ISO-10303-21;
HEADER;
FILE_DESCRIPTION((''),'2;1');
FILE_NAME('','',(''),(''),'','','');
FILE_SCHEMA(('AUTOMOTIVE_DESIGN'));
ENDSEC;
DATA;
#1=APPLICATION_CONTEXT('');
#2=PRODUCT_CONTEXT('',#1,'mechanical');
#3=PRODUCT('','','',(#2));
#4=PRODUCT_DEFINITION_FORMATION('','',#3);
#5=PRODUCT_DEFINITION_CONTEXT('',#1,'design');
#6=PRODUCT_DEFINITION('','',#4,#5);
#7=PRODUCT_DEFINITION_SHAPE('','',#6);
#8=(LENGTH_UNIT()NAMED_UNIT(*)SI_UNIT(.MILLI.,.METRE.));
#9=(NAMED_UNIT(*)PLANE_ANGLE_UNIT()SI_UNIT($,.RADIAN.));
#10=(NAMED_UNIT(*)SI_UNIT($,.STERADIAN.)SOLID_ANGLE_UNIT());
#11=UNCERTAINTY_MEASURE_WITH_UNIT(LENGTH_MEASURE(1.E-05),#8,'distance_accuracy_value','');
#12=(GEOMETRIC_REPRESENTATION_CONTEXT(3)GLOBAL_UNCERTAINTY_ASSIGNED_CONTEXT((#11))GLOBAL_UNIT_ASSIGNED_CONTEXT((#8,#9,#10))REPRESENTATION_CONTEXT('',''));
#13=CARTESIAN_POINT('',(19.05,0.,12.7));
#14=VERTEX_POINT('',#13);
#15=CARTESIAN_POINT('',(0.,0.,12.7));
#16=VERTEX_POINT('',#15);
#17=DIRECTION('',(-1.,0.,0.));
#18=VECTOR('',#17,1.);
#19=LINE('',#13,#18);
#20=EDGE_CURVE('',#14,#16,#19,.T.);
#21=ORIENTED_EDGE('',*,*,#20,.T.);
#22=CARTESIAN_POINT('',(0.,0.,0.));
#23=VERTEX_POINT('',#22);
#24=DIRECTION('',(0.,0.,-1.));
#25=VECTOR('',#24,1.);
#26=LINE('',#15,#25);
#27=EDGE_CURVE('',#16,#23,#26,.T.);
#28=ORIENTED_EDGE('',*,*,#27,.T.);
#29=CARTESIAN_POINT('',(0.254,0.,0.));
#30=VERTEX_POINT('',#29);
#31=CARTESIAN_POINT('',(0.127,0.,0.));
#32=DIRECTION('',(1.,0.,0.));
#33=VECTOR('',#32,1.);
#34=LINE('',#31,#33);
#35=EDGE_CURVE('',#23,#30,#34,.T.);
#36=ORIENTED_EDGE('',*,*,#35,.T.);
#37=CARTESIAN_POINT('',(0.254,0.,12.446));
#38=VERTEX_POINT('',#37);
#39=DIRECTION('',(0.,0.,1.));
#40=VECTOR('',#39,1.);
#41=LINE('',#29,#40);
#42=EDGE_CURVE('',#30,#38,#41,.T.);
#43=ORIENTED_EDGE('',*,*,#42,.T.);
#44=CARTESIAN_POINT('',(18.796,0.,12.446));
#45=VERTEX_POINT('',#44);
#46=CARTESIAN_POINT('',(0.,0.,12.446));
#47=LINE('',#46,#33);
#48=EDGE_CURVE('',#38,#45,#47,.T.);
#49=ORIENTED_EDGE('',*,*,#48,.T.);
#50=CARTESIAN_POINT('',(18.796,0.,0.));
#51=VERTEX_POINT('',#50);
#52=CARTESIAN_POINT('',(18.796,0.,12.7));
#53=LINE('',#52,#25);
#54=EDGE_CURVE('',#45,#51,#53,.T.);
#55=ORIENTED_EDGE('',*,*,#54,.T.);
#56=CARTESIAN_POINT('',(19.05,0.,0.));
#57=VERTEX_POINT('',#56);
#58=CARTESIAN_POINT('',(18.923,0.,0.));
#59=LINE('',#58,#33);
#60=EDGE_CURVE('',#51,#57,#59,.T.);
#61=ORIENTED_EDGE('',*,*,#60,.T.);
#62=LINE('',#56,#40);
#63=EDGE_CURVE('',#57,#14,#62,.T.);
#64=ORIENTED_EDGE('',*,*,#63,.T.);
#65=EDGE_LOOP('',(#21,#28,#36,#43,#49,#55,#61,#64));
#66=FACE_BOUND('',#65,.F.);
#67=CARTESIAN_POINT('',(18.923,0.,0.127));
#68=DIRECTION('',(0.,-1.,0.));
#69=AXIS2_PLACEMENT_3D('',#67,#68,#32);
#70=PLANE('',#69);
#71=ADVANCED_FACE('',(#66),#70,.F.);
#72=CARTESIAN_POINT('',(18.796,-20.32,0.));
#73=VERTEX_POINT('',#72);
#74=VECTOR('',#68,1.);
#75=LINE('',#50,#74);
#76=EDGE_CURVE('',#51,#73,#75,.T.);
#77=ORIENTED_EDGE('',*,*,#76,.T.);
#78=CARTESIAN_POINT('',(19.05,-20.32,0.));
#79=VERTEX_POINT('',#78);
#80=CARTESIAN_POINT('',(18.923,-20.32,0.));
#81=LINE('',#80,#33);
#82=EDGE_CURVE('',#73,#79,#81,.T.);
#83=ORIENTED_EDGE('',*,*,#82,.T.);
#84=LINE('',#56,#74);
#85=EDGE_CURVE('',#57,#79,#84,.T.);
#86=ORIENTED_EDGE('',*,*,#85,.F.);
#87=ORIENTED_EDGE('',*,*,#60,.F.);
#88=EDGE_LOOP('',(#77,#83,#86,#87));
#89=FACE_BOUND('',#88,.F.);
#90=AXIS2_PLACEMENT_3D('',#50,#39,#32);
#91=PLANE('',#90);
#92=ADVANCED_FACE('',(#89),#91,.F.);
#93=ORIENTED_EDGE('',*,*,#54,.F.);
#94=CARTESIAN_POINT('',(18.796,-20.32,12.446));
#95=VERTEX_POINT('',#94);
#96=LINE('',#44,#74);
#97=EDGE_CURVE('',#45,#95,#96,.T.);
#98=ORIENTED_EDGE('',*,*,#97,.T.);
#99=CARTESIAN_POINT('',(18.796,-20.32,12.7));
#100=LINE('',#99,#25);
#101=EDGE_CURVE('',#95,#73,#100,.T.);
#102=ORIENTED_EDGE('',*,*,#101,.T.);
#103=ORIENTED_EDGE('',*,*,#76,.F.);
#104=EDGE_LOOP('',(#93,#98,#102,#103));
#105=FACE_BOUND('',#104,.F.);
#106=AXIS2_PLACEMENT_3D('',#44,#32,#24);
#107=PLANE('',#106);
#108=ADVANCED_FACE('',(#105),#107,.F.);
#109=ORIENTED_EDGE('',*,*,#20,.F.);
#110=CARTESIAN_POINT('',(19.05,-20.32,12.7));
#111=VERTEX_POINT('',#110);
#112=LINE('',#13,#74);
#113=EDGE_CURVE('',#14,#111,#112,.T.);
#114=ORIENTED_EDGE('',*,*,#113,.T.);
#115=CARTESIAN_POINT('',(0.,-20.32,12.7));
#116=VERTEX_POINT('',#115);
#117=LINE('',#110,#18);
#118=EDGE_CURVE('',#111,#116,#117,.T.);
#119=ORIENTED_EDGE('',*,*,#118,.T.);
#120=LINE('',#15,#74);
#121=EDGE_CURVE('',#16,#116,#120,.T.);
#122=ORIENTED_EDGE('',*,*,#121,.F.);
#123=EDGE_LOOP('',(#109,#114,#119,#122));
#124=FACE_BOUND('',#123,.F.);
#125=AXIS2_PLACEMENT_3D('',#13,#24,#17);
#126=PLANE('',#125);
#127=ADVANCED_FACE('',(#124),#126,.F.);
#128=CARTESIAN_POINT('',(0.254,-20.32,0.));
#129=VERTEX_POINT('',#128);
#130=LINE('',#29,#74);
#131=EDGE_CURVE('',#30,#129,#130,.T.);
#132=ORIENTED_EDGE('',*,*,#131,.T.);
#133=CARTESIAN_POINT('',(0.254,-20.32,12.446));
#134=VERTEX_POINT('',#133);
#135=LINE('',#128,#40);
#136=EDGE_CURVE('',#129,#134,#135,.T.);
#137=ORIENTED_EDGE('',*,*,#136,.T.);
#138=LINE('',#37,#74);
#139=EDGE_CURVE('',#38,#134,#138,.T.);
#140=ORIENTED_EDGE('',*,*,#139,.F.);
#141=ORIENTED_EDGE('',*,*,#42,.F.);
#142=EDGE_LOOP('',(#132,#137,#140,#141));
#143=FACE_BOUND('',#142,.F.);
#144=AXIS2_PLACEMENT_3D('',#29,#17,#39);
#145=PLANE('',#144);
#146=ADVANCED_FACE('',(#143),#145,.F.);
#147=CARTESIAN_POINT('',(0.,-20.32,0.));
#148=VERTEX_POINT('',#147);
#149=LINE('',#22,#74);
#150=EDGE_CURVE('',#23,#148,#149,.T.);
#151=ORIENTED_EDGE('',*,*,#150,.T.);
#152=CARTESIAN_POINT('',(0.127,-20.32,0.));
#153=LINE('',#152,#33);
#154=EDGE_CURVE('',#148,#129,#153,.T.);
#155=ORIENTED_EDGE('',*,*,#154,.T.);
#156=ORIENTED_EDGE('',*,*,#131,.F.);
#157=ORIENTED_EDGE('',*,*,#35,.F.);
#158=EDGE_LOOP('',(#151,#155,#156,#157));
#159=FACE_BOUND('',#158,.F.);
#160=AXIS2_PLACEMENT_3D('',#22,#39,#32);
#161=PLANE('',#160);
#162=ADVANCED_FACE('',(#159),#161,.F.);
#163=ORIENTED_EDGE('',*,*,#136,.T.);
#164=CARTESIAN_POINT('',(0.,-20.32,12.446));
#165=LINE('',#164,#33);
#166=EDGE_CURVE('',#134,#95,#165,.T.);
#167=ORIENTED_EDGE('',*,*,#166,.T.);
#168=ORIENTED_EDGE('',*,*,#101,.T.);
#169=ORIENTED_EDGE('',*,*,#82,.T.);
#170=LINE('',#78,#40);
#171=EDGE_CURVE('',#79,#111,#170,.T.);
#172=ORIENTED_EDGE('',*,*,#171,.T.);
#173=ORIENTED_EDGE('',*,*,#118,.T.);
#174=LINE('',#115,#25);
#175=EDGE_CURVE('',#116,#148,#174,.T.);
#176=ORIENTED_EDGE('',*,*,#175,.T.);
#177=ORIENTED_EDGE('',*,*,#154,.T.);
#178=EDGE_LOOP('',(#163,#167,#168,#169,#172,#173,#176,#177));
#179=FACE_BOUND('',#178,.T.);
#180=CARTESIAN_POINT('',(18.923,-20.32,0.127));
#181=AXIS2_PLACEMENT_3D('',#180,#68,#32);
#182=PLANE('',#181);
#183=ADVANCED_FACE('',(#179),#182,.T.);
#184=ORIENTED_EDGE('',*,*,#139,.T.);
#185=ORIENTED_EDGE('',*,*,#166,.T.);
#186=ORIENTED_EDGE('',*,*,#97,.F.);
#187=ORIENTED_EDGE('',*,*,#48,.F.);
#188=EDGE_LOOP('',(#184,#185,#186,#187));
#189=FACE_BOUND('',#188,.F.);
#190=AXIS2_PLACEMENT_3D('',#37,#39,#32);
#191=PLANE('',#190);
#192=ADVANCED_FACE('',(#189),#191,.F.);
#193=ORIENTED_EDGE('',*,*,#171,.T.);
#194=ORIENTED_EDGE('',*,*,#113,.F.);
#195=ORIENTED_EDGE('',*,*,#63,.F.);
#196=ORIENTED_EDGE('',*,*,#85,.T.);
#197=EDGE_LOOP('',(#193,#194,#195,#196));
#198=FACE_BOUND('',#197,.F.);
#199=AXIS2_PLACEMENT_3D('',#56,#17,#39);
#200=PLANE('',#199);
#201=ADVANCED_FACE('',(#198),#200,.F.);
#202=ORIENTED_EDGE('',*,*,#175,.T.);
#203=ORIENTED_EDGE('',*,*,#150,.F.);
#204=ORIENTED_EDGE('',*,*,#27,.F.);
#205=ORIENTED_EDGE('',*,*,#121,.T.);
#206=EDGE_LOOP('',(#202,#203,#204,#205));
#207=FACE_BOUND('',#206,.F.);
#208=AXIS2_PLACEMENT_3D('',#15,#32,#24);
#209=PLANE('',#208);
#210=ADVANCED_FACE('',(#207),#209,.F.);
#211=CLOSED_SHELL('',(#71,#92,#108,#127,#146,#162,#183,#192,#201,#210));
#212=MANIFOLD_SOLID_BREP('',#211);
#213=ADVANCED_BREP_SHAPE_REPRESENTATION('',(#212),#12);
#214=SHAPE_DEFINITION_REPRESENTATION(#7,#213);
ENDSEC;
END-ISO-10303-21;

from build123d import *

# Parameters (mm, degrees)
F0_W     = 0.254
F0_H     = 0.254
F0_W_2   = 18.542
F0_H_2   = 12.192
F1_DEPTH = 20.32


with BuildPart() as f1:
    # F0 (on Front) → F1 (new body)
    with BuildSketch(Plane.XZ):
        with Locations((18.923, 0.127)):
            Rectangle(F0_W, F0_H)
        with Locations((0.127, 12.573)):
            Rectangle(F0_W, F0_H)
        with Locations((0.127, 0.127)):
            Rectangle(F0_W, F0_H)
        Polygon((18.796, 12.446), (18.796, 0.254), (19.05, 0.254), (19.05, 12.7), (18.796, 12.7), align=None)
        with Locations((9.525, 12.573)):
            Rectangle(F0_W_2, F0_H)
        with Locations((0.127, 6.35)):
            Rectangle(F0_W, F0_H_2)
    extrude(amount=F1_DEPTH)


solid = f1.part
